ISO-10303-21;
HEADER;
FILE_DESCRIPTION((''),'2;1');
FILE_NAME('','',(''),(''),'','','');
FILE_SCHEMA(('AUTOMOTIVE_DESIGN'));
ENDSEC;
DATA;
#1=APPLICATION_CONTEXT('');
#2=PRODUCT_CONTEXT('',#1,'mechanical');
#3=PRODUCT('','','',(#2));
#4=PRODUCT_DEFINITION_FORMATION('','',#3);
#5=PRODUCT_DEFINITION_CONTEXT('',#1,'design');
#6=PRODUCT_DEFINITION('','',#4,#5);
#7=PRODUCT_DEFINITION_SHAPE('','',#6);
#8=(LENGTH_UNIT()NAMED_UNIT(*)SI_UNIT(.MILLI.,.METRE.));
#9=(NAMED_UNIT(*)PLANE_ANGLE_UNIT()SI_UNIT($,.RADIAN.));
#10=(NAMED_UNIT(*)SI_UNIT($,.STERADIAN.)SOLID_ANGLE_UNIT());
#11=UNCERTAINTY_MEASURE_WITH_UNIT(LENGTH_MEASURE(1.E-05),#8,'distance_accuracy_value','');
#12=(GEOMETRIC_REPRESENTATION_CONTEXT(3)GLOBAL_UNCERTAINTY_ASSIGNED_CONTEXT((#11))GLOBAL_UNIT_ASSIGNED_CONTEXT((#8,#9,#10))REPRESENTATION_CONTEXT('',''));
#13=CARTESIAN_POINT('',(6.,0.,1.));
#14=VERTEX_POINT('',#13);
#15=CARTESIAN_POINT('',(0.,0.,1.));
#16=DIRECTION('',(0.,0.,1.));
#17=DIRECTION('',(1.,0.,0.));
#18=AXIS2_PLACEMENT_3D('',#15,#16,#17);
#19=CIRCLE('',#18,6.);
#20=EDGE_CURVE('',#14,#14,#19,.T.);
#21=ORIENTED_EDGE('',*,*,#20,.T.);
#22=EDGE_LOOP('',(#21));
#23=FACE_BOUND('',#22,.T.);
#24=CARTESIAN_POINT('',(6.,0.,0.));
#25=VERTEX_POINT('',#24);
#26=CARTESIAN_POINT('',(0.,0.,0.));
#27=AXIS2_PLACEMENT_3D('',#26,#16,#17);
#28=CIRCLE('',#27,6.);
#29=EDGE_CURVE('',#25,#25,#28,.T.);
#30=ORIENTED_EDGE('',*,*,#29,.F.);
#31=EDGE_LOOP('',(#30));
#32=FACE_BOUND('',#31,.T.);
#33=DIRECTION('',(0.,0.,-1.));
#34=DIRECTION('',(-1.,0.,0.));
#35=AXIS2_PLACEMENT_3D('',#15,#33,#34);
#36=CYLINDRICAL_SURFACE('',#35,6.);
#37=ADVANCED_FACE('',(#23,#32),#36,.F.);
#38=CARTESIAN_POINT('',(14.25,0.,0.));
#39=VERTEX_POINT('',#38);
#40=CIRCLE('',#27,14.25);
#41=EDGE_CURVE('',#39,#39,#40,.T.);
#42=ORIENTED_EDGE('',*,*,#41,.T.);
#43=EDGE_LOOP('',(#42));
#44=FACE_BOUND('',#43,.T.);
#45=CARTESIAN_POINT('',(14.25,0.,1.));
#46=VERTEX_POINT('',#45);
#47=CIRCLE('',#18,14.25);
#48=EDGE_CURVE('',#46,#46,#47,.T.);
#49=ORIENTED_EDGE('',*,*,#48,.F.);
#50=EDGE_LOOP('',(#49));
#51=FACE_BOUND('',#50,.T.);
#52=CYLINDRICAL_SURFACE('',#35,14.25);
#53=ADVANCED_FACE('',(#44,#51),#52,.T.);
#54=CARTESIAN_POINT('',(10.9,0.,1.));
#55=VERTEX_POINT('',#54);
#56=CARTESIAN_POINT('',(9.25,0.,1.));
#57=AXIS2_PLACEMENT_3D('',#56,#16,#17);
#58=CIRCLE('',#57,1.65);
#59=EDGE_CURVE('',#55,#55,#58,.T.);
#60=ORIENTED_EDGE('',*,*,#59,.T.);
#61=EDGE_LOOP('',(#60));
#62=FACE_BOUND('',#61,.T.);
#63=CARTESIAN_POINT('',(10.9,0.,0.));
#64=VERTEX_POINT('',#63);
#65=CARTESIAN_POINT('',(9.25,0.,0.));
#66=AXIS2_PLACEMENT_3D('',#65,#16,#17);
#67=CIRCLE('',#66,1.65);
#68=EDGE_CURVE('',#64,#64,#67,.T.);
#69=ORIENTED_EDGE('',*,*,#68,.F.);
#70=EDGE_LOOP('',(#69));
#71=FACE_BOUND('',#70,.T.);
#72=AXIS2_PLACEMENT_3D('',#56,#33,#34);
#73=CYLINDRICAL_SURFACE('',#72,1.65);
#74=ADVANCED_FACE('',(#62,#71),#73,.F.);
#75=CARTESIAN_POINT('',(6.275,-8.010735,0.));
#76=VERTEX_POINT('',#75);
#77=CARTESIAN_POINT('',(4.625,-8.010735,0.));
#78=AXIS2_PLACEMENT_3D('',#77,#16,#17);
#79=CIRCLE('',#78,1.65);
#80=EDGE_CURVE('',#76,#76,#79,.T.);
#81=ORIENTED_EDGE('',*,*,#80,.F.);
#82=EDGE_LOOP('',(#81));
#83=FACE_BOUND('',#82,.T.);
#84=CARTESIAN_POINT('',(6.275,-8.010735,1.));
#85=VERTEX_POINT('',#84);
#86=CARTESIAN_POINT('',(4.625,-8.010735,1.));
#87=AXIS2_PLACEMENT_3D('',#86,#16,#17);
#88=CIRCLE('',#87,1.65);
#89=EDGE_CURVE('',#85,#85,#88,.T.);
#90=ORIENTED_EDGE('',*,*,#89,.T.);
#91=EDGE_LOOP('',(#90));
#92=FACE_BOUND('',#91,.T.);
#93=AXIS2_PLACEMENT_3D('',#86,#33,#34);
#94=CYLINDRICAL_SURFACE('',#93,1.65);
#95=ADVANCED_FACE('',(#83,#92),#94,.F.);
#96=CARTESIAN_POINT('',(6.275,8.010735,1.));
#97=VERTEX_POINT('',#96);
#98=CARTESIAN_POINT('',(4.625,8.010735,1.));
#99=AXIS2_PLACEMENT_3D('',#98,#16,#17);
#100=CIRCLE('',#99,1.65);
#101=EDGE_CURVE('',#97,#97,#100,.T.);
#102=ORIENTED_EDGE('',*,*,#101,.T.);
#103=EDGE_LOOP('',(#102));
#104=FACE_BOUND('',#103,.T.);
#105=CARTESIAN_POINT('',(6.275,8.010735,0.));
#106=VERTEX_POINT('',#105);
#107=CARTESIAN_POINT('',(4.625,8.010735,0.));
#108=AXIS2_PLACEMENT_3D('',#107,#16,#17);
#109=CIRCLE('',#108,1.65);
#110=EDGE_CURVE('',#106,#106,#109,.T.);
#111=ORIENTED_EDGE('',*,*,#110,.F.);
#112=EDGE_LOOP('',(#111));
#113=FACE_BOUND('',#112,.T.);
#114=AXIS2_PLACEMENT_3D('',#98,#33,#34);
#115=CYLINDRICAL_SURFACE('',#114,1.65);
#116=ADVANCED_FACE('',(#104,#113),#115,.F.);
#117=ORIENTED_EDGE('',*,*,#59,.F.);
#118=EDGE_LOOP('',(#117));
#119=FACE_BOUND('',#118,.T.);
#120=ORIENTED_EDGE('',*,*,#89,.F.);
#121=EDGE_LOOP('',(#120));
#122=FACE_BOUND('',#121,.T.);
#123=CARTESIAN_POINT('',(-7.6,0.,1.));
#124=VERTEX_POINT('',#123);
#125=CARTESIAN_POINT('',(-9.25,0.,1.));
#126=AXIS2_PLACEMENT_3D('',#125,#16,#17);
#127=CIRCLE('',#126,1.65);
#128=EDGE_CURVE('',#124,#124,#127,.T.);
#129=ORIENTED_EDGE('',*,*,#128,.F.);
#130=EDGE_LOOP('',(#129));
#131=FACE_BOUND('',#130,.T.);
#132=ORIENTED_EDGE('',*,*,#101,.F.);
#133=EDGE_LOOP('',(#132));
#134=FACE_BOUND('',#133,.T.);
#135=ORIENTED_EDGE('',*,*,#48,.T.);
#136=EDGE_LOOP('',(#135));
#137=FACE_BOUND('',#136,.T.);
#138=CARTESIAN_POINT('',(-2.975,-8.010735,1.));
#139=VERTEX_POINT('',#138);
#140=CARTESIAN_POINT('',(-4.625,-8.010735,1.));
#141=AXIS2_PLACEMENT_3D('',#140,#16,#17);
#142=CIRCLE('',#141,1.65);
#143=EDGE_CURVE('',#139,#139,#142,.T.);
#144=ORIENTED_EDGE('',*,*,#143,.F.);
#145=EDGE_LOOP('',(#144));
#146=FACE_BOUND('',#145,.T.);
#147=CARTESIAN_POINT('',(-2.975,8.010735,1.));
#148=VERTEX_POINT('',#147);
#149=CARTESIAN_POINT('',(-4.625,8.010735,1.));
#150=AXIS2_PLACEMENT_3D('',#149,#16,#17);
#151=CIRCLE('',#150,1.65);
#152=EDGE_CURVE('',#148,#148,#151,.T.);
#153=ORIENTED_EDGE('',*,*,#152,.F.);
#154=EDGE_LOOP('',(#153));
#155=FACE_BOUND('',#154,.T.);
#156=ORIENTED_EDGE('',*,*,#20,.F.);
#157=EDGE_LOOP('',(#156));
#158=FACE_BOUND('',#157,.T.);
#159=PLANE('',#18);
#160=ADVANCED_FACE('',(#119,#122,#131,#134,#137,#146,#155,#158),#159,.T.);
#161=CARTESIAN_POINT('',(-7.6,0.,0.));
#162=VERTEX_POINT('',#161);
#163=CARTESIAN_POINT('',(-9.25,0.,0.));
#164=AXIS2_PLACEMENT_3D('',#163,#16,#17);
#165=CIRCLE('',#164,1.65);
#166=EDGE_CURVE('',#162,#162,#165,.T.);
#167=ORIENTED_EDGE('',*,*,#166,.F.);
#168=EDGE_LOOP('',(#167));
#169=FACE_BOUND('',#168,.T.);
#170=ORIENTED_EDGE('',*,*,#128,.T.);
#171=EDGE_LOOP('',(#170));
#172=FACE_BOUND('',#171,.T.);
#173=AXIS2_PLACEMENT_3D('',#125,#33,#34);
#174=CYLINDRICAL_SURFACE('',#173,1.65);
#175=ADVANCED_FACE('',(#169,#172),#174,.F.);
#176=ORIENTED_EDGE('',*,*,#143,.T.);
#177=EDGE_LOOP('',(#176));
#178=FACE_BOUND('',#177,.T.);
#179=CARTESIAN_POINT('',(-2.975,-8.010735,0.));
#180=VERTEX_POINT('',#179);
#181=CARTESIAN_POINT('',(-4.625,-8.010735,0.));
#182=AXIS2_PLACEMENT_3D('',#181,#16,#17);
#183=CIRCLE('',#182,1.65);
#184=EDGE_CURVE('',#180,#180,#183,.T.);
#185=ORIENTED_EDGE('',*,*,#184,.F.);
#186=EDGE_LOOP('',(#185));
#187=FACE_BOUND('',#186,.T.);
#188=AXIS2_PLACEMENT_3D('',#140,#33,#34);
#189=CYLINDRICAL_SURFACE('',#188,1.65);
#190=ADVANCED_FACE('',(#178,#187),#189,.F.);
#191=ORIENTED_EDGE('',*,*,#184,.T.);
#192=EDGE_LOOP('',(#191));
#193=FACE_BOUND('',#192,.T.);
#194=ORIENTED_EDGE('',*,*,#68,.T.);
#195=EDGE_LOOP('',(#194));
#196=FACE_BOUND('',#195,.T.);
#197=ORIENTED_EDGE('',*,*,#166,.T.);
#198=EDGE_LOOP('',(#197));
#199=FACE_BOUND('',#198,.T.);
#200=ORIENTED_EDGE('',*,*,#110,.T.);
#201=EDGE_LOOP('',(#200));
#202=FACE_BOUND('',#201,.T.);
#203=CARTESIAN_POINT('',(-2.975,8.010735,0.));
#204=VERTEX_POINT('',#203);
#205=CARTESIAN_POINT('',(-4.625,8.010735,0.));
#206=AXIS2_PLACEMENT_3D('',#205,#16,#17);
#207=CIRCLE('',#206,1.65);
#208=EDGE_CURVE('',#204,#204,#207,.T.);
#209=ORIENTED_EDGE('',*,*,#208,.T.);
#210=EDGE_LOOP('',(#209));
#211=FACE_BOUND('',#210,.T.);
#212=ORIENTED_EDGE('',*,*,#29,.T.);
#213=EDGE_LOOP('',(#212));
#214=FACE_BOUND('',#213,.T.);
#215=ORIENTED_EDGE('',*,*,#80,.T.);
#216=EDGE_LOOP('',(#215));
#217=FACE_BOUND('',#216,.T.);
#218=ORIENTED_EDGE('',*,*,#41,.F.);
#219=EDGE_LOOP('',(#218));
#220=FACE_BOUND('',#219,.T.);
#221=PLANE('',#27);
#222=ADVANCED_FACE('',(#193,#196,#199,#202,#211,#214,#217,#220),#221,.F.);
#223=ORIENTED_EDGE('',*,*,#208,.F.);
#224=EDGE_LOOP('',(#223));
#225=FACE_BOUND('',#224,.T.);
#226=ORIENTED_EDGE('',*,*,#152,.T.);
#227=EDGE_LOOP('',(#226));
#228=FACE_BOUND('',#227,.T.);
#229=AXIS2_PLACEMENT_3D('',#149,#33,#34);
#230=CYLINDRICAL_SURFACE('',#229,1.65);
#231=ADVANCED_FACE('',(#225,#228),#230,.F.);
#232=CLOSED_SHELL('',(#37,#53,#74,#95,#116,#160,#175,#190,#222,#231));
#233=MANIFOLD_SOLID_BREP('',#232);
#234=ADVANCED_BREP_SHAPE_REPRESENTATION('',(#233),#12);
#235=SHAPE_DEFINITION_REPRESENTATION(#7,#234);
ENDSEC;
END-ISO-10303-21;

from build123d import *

# Parameters (mm, degrees)
SKIZZE1_R                       = 14.25
SKIZZE1_R_2                     = 6
SKIZZE1_R_3                     = 1.65
AUFSATZ_LINEAR_AUSTRAGEN1_DEPTH = 1


with BuildPart() as part:
    # Skizze1 → Aufsatz-Linear austragen1 (new body)
    with BuildSketch(Plane.XY):
        Circle(SKIZZE1_R)
        Circle(SKIZZE1_R_2, mode=Mode.SUBTRACT)
        with Locations((-9.25, 0)):
            Circle(SKIZZE1_R_3, mode=Mode.SUBTRACT)
        with Locations((-4.625, 8.010734985)):
            Circle(SKIZZE1_R_3, mode=Mode.SUBTRACT)
        with Locations((4.625, 8.010734985)):
            Circle(SKIZZE1_R_3, mode=Mode.SUBTRACT)
        with Locations((9.25, 0)):
            Circle(SKIZZE1_R_3, mode=Mode.SUBTRACT)
        with Locations((4.625, -8.010734985)):
            Circle(SKIZZE1_R_3, mode=Mode.SUBTRACT)
        with Locations((-4.625, -8.010734985)):
            Circle(SKIZZE1_R_3, mode=Mode.SUBTRACT)
    extrude(amount=AUFSATZ_LINEAR_AUSTRAGEN1_DEPTH)


solid = part.part
